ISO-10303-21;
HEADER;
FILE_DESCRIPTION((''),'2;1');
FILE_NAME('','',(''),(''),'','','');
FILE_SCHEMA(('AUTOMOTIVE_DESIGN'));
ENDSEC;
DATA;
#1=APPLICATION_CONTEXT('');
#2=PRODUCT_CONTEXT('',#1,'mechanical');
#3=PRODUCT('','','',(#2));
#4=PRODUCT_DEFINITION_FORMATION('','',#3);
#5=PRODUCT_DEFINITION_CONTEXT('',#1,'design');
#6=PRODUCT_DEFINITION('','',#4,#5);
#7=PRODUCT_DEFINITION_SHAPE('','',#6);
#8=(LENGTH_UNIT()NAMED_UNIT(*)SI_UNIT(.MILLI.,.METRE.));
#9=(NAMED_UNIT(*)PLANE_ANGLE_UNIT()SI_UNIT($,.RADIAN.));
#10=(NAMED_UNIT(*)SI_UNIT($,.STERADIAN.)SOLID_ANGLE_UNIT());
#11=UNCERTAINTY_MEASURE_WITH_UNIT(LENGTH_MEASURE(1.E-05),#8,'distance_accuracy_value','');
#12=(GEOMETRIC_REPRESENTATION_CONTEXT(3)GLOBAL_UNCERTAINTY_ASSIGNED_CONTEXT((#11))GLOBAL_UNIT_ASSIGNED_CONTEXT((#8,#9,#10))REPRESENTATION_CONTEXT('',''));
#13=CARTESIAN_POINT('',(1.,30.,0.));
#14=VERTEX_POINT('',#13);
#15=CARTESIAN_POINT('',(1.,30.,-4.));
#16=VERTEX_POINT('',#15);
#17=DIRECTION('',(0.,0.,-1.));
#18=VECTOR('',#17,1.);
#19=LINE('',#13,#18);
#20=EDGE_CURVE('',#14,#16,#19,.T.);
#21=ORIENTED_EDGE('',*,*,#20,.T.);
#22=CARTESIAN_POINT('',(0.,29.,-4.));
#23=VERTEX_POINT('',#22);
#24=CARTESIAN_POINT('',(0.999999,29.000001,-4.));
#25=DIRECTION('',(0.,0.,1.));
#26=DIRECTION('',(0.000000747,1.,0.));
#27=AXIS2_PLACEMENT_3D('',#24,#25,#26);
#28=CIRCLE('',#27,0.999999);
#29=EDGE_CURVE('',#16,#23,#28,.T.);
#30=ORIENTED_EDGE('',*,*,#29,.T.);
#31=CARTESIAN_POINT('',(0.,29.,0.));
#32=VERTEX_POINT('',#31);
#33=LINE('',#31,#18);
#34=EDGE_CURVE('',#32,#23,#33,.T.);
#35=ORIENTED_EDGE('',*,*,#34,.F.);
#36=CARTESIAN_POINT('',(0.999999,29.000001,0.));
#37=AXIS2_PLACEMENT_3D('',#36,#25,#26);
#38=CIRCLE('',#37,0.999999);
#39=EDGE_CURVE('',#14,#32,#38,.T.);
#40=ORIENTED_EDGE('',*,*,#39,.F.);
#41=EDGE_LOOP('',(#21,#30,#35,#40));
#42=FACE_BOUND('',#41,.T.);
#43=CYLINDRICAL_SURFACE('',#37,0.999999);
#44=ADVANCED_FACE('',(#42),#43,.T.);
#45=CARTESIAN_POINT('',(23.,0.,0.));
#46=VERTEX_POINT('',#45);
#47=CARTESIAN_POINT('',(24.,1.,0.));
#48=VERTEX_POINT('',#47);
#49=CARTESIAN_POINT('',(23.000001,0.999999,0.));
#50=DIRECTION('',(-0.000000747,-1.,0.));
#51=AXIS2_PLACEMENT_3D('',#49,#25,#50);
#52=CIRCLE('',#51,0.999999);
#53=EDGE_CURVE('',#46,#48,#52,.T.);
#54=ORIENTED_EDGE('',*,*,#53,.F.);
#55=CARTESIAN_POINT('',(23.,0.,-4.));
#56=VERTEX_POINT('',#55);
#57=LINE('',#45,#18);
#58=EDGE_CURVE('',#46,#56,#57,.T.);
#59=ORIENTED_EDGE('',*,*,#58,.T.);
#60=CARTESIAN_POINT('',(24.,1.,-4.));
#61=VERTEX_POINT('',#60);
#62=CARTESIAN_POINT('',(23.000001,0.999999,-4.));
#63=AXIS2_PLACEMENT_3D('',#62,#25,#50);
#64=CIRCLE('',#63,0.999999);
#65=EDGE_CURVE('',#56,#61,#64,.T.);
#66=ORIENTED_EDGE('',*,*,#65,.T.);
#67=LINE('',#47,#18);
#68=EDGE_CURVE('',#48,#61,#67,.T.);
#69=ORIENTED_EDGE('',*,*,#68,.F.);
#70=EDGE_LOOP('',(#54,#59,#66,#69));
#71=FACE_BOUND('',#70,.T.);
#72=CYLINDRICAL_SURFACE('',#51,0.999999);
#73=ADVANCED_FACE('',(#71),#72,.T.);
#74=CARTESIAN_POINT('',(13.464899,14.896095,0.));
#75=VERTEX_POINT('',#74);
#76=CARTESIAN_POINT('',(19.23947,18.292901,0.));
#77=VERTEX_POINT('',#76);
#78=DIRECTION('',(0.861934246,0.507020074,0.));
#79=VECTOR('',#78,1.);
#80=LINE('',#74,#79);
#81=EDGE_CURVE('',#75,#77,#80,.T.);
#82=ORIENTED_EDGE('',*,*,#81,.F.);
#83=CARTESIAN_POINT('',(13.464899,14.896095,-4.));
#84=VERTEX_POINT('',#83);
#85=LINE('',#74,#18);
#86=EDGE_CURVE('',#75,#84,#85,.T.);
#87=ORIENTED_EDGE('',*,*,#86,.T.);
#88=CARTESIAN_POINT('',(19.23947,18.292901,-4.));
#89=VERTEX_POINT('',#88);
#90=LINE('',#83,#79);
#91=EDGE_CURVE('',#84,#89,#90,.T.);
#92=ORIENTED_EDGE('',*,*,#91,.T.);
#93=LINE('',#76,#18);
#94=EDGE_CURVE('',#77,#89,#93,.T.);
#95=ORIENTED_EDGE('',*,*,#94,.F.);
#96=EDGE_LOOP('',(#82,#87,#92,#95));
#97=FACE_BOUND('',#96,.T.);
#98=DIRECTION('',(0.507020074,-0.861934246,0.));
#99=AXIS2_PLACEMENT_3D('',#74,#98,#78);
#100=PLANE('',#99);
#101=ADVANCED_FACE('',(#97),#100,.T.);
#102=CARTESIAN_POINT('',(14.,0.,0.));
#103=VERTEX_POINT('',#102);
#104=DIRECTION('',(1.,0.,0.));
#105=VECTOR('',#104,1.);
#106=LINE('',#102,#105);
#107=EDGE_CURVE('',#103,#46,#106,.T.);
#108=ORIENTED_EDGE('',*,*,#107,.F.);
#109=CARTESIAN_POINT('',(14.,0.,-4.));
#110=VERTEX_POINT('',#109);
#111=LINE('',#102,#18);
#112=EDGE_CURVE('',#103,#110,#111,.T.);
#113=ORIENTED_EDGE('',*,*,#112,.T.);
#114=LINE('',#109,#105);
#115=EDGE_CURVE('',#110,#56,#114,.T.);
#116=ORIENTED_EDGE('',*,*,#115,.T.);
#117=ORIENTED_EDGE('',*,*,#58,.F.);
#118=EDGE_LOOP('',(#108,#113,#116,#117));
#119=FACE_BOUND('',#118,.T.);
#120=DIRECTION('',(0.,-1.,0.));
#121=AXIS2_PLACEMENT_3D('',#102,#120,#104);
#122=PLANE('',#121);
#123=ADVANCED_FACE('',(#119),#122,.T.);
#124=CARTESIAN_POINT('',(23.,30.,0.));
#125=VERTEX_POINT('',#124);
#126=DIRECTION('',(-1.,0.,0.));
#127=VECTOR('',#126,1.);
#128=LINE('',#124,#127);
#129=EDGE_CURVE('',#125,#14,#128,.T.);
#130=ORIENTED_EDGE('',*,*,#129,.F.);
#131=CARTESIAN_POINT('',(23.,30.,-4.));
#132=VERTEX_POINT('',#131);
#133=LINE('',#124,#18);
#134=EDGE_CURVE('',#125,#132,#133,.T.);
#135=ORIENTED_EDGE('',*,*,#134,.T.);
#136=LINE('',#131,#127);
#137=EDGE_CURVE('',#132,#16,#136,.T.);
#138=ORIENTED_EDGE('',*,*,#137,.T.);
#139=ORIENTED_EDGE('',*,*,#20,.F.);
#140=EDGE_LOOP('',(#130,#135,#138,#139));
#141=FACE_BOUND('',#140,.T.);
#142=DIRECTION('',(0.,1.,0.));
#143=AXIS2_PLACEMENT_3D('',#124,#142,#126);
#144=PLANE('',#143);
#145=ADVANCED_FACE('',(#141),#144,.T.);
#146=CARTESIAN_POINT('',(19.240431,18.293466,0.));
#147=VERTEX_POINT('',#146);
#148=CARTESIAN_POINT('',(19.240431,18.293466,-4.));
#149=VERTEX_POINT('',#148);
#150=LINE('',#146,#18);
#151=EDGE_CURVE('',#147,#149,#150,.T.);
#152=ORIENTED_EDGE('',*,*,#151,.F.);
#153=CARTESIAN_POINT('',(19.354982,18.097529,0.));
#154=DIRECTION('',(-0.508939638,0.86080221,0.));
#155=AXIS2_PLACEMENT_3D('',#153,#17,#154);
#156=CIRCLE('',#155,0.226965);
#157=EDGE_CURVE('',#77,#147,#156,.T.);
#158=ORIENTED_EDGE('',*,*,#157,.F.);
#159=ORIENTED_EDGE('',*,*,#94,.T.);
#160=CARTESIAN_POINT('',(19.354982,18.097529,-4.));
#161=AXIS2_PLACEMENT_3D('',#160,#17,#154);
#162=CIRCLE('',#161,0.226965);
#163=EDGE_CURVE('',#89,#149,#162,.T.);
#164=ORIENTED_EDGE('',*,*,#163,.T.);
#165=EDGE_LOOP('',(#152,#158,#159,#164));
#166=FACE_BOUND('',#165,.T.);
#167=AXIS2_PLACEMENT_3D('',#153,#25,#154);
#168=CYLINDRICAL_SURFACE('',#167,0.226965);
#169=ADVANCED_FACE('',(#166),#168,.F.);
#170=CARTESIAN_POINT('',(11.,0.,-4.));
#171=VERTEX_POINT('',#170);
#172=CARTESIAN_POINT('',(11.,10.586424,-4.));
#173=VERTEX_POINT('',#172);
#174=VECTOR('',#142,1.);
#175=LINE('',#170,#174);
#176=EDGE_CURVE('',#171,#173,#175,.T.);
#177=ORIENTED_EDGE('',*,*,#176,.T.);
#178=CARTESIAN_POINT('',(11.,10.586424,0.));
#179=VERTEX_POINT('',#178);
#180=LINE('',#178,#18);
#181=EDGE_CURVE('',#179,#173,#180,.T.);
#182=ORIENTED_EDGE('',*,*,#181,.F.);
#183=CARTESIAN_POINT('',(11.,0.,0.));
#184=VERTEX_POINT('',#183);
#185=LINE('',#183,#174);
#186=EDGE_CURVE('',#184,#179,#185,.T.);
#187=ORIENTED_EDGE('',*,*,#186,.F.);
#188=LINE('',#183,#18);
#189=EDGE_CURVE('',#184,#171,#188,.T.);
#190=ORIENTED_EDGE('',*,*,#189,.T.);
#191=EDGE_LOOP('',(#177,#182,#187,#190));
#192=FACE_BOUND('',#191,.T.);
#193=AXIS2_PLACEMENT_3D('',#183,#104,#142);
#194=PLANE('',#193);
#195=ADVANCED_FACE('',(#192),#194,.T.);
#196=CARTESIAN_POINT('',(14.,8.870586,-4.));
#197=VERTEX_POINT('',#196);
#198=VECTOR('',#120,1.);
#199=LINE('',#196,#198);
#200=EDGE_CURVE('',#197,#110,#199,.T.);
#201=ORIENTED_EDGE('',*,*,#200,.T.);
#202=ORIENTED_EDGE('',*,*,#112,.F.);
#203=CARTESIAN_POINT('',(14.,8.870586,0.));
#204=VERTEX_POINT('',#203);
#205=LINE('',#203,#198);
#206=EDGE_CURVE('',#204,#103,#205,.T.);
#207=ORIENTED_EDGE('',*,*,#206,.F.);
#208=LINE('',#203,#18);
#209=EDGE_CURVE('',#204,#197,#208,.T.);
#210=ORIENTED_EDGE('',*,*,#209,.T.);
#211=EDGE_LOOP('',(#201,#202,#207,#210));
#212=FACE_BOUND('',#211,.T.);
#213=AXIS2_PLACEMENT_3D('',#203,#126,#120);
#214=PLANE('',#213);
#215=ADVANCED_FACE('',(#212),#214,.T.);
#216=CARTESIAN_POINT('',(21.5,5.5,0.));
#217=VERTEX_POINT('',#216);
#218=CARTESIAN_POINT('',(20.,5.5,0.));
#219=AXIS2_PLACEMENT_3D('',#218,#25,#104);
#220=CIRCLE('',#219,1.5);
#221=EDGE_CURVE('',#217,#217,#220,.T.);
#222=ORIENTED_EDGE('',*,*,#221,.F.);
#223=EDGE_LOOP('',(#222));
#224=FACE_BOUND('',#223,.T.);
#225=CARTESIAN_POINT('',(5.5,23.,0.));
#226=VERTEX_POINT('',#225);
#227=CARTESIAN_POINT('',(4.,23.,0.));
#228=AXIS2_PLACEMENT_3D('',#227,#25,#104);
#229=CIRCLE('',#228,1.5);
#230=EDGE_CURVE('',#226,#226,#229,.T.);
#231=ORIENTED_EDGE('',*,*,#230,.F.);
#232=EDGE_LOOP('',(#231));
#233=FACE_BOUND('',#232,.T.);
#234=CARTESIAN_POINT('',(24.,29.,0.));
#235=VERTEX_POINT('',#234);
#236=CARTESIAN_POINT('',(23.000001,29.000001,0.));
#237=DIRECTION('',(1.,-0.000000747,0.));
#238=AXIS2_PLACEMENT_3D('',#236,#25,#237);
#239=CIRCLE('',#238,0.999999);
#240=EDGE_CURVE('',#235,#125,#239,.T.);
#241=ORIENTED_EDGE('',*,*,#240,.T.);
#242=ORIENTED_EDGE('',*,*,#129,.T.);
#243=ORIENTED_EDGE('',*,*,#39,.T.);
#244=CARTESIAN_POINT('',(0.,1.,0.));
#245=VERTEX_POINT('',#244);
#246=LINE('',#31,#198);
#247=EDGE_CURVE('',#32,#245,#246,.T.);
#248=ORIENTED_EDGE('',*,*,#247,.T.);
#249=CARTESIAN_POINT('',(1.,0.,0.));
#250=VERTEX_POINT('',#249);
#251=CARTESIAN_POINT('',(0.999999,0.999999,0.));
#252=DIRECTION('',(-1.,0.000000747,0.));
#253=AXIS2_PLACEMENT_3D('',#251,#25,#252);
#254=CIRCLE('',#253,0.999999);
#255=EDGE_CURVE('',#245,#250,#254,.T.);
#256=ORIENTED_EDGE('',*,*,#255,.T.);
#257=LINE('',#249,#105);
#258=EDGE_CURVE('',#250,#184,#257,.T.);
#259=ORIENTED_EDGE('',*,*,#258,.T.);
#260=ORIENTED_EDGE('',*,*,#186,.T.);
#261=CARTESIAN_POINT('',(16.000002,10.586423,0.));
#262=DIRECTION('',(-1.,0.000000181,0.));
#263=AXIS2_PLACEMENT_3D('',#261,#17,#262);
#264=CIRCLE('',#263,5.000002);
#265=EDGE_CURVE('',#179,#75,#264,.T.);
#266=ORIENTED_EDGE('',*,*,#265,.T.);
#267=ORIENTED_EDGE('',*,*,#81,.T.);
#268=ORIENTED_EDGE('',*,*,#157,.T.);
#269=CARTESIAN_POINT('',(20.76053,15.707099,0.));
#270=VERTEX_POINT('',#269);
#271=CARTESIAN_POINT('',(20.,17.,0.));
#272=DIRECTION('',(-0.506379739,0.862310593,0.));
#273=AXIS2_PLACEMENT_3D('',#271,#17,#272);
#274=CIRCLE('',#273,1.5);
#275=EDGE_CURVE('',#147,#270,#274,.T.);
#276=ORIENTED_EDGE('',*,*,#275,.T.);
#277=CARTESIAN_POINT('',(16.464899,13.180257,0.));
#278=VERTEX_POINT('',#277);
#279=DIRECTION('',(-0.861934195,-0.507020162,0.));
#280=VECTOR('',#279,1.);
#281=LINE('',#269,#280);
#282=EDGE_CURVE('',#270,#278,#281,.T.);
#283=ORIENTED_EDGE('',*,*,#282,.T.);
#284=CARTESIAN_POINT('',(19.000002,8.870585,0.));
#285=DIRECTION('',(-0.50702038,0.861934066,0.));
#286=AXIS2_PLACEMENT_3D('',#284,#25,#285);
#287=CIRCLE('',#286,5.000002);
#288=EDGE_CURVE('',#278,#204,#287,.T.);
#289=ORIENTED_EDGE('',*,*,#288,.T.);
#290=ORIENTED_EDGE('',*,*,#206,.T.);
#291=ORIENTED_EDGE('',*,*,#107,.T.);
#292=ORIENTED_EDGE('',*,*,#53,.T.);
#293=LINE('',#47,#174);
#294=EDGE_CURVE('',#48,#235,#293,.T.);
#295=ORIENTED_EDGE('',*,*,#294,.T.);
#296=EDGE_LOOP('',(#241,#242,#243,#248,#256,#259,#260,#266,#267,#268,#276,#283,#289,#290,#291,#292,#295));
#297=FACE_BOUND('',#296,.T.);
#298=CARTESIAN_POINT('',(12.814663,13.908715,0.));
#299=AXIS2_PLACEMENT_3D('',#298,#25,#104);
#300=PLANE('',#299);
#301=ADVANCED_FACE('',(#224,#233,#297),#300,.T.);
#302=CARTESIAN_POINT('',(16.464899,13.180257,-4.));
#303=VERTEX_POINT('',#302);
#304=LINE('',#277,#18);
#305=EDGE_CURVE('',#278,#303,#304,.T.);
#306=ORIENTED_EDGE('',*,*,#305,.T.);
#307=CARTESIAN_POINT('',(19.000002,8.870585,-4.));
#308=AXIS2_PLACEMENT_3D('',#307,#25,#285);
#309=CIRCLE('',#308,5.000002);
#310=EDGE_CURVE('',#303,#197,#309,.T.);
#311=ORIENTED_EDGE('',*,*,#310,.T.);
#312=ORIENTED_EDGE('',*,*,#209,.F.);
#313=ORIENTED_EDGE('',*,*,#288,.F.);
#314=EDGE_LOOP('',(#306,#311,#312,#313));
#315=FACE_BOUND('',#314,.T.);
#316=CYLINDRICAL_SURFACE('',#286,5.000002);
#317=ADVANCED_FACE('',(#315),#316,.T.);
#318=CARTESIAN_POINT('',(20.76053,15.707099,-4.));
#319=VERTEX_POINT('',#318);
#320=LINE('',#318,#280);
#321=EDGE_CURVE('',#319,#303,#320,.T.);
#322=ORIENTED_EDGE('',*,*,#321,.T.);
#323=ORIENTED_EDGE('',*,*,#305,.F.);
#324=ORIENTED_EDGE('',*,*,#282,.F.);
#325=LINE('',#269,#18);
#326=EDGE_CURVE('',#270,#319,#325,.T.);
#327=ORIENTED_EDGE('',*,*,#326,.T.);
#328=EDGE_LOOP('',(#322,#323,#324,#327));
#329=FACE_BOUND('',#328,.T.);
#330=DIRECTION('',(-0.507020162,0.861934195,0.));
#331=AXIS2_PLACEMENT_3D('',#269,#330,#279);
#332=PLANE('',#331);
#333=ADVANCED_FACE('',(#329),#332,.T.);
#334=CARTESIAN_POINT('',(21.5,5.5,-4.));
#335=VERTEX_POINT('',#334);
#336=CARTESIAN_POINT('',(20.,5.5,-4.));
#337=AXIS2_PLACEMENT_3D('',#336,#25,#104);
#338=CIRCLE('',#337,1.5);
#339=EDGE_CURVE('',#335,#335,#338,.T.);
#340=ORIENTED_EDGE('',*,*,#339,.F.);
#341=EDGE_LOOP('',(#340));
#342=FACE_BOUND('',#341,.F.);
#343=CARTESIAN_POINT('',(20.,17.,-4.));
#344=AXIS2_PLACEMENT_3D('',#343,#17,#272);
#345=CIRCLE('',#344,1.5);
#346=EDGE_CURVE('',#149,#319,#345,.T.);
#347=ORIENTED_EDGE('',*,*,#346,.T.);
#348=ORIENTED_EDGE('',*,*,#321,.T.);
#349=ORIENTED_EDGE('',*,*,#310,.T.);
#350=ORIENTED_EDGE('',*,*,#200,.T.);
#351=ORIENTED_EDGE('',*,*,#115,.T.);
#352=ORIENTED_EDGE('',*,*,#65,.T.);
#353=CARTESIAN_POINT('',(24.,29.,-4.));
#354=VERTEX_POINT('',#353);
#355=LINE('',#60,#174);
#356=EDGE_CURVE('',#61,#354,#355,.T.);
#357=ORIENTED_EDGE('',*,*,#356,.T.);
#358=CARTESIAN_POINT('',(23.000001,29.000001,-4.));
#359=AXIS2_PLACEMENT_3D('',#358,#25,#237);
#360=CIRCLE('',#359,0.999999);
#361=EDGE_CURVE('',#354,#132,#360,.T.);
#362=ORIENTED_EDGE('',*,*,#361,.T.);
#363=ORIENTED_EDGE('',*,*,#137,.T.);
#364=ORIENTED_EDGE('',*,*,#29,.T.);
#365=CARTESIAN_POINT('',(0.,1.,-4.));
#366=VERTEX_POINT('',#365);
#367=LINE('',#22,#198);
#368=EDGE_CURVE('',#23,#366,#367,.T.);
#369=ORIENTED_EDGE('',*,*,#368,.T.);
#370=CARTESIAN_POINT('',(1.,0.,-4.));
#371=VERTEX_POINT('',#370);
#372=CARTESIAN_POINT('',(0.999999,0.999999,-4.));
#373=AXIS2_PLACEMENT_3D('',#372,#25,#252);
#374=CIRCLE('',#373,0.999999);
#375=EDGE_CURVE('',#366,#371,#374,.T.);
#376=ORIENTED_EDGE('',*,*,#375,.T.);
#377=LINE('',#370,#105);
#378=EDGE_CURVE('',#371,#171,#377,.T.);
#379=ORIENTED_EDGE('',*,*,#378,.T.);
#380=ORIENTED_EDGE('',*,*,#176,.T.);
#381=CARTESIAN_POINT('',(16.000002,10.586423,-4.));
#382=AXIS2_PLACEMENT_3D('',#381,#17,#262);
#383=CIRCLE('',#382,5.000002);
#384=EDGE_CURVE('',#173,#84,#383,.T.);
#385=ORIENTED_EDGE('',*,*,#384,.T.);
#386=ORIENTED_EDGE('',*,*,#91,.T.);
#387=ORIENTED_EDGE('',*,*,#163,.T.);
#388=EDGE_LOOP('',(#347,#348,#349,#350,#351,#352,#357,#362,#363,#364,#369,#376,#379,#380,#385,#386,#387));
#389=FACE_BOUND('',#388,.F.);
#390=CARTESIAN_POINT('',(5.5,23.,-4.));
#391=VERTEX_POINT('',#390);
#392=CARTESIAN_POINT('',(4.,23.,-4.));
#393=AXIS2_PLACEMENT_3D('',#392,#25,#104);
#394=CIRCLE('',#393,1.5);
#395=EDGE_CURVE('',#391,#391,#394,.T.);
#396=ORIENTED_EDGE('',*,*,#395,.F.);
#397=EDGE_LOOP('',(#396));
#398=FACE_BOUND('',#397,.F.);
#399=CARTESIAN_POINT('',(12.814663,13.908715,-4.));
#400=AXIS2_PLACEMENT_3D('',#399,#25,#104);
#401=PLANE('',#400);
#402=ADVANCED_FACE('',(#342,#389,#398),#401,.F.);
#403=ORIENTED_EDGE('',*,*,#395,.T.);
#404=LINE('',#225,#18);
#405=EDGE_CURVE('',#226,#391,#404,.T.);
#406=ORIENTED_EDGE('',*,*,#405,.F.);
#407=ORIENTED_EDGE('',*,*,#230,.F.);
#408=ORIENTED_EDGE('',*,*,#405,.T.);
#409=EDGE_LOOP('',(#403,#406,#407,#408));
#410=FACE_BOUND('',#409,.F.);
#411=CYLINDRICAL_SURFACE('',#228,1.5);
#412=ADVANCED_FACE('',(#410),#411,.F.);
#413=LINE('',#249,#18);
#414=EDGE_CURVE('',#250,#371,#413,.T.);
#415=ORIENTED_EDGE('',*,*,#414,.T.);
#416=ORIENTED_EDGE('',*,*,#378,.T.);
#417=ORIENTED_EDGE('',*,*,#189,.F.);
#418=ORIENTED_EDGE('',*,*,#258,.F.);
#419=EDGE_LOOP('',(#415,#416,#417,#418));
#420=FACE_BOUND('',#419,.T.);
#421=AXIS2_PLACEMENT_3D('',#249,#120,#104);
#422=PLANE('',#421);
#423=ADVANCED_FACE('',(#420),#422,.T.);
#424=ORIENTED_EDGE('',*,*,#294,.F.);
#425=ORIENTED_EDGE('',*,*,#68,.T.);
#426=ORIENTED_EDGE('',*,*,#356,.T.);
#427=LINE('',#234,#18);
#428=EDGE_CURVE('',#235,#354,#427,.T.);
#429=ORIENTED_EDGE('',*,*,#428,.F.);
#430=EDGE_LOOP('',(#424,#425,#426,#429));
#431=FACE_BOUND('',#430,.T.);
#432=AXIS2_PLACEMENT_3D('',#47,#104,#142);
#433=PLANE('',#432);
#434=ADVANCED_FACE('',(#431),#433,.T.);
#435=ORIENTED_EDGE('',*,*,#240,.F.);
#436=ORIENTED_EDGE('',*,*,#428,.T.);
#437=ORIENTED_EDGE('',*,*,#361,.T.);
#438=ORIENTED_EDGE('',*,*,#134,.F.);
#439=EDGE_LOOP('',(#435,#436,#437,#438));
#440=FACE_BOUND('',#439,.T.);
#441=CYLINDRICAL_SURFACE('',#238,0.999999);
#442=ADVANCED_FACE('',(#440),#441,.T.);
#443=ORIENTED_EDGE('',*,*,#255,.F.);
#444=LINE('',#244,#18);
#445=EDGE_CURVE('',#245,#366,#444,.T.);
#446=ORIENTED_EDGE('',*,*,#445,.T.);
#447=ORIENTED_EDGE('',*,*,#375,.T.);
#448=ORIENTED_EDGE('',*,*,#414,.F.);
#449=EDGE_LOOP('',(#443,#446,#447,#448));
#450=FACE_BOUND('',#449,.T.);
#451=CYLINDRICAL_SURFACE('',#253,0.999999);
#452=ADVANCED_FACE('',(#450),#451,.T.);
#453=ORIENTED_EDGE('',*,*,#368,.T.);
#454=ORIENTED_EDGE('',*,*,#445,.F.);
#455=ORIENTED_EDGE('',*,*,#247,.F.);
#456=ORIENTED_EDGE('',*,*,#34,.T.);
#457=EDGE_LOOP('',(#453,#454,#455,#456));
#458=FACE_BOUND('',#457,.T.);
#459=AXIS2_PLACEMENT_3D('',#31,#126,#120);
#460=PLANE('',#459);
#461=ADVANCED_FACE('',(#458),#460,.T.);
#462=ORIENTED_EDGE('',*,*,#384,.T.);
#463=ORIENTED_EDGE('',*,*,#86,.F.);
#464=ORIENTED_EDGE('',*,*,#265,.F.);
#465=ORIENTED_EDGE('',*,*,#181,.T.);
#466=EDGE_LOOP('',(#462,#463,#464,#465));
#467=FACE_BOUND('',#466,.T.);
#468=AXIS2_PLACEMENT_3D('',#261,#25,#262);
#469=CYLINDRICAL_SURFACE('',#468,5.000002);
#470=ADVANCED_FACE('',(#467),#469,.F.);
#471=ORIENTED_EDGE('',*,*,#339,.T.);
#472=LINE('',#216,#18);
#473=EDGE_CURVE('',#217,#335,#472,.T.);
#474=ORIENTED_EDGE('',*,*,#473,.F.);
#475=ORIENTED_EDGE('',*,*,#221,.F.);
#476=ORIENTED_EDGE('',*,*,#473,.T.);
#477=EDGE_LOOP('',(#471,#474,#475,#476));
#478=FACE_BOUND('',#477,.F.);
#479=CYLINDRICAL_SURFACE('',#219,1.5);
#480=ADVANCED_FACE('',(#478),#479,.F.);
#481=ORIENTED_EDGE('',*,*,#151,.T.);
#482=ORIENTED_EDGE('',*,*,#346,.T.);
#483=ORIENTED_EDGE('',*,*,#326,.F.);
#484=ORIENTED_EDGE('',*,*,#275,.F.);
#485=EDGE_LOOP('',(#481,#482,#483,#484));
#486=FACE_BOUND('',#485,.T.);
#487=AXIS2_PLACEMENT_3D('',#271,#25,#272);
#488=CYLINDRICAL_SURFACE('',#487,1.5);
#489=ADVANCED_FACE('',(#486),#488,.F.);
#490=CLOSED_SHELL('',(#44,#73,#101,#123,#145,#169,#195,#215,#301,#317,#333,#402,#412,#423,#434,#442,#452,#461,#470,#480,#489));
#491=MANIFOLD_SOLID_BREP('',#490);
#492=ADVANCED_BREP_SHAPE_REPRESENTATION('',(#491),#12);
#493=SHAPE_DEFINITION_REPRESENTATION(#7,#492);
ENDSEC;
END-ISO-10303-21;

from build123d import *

# Parameters (mm, degrees)
F0_R     = 1.5
F1_DEPTH = 4


with BuildPart() as f1:
    # F0 (on Top) → F1 (new body)
    with BuildSketch(Plane.XY):
        with BuildLine():
            ThreePointArc((0, 1), (0.292893, 0.292893), (1, 0))
            Line((1, 0), (11, 0))
            Line((11, 0), (11, 10.586424))
            ThreePointArc((11, 10.586424), (11.659752, 13.068811), (13.464899, 14.896095))
            Line((13.464899, 14.896095), (19.23947, 18.292901))
            ThreePointArc((19.23947, 18.292901), (19.23995, 18.293184), (19.240431, 18.293466))
            ThreePointArc((19.240431, 18.293466), (21.293184, 17.76005), (20.76053, 15.707099))
            Line((20.76053, 15.707099), (16.464899, 13.180257))
            ThreePointArc((16.464899, 13.180257), (14.659752, 11.352973), (14, 8.870586))
            Line((14, 8.870586), (14, 0))
            Line((14, 0), (23, 0))
            ThreePointArc((23, 0), (23.707107, 0.292893), (24, 1))
            Line((24, 1), (24, 29))
            ThreePointArc((24, 29), (23.707107, 29.707107), (23, 30))
            Line((23, 30), (1, 30))
            ThreePointArc((1, 30), (0.292893, 29.707107), (0, 29))
            Line((0, 29), (0, 1))
        make_face()
        with Locations((20, 5.5)):
            Circle(F0_R, mode=Mode.SUBTRACT)
        with Locations((4, 23)):
            Circle(F0_R, mode=Mode.SUBTRACT)
    extrude(amount=-F1_DEPTH)


solid = f1.part
